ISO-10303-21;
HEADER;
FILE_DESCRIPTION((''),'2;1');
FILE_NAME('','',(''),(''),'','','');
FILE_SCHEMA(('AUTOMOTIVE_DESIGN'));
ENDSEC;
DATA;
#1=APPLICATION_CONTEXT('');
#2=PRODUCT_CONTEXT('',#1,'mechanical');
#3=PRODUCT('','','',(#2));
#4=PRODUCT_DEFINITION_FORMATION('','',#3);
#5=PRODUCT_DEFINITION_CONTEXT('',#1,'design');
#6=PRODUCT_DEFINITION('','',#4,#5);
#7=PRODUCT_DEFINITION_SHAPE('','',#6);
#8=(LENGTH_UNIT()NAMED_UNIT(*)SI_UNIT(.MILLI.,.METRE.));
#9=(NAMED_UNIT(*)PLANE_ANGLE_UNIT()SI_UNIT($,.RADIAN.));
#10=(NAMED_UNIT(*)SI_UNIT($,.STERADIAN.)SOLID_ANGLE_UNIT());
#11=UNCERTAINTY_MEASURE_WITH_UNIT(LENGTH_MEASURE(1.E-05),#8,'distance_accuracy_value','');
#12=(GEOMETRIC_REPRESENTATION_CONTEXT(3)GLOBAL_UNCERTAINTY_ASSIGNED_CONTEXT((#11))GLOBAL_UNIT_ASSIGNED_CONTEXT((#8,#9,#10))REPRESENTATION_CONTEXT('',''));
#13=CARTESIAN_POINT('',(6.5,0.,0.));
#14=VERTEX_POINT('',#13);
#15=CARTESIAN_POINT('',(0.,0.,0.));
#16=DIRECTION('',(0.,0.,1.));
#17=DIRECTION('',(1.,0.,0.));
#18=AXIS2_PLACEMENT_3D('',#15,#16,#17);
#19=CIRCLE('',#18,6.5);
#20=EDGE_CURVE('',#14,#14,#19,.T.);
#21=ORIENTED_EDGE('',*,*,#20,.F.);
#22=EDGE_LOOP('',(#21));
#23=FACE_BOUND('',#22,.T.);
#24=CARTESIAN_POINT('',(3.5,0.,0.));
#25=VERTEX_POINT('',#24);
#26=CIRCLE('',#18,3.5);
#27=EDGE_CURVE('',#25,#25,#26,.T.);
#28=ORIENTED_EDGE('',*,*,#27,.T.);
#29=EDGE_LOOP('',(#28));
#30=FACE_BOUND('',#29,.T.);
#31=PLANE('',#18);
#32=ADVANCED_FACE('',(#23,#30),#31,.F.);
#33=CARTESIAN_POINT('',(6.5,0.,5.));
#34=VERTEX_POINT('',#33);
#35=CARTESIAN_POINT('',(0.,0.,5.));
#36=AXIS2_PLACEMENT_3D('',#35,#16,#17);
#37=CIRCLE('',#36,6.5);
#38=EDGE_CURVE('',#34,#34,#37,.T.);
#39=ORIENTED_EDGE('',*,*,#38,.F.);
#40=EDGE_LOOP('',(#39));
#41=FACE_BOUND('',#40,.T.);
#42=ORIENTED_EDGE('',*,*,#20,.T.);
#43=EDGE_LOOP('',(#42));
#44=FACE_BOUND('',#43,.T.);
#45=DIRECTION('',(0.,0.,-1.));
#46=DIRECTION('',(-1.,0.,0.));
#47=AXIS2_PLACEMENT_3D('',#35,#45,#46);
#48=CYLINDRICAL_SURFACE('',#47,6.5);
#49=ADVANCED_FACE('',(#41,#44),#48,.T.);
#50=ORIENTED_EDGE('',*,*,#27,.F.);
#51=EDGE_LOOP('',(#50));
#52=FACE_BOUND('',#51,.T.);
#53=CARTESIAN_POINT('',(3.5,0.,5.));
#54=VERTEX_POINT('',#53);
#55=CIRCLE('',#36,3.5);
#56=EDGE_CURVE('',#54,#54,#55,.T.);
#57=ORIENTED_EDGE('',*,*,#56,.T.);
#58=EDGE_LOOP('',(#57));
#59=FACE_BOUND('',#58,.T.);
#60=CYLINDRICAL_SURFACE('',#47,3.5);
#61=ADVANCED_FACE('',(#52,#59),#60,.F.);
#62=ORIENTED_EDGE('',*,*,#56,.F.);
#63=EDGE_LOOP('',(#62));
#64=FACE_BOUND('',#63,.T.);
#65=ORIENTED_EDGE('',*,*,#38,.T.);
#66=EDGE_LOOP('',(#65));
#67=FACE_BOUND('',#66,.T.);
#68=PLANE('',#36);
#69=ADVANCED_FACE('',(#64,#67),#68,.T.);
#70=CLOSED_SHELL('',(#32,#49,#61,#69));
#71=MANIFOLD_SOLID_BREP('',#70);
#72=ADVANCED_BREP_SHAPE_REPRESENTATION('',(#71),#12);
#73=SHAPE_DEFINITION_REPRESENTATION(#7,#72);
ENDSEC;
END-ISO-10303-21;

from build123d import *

# Parameters (mm, degrees)
SKETCH_1_R      = 6.5
SKETCH_1_R_2    = 3.5
EXTRUDE_1_DEPTH = 5


with BuildPart() as part:
    # Эскиз1 → Бобышка-Вытянуть1 (new body)
    with BuildSketch(Plane.XY):
        Circle(SKETCH_1_R)
        Circle(SKETCH_1_R_2, mode=Mode.SUBTRACT)
    extrude(amount=EXTRUDE_1_DEPTH)


solid = part.part
